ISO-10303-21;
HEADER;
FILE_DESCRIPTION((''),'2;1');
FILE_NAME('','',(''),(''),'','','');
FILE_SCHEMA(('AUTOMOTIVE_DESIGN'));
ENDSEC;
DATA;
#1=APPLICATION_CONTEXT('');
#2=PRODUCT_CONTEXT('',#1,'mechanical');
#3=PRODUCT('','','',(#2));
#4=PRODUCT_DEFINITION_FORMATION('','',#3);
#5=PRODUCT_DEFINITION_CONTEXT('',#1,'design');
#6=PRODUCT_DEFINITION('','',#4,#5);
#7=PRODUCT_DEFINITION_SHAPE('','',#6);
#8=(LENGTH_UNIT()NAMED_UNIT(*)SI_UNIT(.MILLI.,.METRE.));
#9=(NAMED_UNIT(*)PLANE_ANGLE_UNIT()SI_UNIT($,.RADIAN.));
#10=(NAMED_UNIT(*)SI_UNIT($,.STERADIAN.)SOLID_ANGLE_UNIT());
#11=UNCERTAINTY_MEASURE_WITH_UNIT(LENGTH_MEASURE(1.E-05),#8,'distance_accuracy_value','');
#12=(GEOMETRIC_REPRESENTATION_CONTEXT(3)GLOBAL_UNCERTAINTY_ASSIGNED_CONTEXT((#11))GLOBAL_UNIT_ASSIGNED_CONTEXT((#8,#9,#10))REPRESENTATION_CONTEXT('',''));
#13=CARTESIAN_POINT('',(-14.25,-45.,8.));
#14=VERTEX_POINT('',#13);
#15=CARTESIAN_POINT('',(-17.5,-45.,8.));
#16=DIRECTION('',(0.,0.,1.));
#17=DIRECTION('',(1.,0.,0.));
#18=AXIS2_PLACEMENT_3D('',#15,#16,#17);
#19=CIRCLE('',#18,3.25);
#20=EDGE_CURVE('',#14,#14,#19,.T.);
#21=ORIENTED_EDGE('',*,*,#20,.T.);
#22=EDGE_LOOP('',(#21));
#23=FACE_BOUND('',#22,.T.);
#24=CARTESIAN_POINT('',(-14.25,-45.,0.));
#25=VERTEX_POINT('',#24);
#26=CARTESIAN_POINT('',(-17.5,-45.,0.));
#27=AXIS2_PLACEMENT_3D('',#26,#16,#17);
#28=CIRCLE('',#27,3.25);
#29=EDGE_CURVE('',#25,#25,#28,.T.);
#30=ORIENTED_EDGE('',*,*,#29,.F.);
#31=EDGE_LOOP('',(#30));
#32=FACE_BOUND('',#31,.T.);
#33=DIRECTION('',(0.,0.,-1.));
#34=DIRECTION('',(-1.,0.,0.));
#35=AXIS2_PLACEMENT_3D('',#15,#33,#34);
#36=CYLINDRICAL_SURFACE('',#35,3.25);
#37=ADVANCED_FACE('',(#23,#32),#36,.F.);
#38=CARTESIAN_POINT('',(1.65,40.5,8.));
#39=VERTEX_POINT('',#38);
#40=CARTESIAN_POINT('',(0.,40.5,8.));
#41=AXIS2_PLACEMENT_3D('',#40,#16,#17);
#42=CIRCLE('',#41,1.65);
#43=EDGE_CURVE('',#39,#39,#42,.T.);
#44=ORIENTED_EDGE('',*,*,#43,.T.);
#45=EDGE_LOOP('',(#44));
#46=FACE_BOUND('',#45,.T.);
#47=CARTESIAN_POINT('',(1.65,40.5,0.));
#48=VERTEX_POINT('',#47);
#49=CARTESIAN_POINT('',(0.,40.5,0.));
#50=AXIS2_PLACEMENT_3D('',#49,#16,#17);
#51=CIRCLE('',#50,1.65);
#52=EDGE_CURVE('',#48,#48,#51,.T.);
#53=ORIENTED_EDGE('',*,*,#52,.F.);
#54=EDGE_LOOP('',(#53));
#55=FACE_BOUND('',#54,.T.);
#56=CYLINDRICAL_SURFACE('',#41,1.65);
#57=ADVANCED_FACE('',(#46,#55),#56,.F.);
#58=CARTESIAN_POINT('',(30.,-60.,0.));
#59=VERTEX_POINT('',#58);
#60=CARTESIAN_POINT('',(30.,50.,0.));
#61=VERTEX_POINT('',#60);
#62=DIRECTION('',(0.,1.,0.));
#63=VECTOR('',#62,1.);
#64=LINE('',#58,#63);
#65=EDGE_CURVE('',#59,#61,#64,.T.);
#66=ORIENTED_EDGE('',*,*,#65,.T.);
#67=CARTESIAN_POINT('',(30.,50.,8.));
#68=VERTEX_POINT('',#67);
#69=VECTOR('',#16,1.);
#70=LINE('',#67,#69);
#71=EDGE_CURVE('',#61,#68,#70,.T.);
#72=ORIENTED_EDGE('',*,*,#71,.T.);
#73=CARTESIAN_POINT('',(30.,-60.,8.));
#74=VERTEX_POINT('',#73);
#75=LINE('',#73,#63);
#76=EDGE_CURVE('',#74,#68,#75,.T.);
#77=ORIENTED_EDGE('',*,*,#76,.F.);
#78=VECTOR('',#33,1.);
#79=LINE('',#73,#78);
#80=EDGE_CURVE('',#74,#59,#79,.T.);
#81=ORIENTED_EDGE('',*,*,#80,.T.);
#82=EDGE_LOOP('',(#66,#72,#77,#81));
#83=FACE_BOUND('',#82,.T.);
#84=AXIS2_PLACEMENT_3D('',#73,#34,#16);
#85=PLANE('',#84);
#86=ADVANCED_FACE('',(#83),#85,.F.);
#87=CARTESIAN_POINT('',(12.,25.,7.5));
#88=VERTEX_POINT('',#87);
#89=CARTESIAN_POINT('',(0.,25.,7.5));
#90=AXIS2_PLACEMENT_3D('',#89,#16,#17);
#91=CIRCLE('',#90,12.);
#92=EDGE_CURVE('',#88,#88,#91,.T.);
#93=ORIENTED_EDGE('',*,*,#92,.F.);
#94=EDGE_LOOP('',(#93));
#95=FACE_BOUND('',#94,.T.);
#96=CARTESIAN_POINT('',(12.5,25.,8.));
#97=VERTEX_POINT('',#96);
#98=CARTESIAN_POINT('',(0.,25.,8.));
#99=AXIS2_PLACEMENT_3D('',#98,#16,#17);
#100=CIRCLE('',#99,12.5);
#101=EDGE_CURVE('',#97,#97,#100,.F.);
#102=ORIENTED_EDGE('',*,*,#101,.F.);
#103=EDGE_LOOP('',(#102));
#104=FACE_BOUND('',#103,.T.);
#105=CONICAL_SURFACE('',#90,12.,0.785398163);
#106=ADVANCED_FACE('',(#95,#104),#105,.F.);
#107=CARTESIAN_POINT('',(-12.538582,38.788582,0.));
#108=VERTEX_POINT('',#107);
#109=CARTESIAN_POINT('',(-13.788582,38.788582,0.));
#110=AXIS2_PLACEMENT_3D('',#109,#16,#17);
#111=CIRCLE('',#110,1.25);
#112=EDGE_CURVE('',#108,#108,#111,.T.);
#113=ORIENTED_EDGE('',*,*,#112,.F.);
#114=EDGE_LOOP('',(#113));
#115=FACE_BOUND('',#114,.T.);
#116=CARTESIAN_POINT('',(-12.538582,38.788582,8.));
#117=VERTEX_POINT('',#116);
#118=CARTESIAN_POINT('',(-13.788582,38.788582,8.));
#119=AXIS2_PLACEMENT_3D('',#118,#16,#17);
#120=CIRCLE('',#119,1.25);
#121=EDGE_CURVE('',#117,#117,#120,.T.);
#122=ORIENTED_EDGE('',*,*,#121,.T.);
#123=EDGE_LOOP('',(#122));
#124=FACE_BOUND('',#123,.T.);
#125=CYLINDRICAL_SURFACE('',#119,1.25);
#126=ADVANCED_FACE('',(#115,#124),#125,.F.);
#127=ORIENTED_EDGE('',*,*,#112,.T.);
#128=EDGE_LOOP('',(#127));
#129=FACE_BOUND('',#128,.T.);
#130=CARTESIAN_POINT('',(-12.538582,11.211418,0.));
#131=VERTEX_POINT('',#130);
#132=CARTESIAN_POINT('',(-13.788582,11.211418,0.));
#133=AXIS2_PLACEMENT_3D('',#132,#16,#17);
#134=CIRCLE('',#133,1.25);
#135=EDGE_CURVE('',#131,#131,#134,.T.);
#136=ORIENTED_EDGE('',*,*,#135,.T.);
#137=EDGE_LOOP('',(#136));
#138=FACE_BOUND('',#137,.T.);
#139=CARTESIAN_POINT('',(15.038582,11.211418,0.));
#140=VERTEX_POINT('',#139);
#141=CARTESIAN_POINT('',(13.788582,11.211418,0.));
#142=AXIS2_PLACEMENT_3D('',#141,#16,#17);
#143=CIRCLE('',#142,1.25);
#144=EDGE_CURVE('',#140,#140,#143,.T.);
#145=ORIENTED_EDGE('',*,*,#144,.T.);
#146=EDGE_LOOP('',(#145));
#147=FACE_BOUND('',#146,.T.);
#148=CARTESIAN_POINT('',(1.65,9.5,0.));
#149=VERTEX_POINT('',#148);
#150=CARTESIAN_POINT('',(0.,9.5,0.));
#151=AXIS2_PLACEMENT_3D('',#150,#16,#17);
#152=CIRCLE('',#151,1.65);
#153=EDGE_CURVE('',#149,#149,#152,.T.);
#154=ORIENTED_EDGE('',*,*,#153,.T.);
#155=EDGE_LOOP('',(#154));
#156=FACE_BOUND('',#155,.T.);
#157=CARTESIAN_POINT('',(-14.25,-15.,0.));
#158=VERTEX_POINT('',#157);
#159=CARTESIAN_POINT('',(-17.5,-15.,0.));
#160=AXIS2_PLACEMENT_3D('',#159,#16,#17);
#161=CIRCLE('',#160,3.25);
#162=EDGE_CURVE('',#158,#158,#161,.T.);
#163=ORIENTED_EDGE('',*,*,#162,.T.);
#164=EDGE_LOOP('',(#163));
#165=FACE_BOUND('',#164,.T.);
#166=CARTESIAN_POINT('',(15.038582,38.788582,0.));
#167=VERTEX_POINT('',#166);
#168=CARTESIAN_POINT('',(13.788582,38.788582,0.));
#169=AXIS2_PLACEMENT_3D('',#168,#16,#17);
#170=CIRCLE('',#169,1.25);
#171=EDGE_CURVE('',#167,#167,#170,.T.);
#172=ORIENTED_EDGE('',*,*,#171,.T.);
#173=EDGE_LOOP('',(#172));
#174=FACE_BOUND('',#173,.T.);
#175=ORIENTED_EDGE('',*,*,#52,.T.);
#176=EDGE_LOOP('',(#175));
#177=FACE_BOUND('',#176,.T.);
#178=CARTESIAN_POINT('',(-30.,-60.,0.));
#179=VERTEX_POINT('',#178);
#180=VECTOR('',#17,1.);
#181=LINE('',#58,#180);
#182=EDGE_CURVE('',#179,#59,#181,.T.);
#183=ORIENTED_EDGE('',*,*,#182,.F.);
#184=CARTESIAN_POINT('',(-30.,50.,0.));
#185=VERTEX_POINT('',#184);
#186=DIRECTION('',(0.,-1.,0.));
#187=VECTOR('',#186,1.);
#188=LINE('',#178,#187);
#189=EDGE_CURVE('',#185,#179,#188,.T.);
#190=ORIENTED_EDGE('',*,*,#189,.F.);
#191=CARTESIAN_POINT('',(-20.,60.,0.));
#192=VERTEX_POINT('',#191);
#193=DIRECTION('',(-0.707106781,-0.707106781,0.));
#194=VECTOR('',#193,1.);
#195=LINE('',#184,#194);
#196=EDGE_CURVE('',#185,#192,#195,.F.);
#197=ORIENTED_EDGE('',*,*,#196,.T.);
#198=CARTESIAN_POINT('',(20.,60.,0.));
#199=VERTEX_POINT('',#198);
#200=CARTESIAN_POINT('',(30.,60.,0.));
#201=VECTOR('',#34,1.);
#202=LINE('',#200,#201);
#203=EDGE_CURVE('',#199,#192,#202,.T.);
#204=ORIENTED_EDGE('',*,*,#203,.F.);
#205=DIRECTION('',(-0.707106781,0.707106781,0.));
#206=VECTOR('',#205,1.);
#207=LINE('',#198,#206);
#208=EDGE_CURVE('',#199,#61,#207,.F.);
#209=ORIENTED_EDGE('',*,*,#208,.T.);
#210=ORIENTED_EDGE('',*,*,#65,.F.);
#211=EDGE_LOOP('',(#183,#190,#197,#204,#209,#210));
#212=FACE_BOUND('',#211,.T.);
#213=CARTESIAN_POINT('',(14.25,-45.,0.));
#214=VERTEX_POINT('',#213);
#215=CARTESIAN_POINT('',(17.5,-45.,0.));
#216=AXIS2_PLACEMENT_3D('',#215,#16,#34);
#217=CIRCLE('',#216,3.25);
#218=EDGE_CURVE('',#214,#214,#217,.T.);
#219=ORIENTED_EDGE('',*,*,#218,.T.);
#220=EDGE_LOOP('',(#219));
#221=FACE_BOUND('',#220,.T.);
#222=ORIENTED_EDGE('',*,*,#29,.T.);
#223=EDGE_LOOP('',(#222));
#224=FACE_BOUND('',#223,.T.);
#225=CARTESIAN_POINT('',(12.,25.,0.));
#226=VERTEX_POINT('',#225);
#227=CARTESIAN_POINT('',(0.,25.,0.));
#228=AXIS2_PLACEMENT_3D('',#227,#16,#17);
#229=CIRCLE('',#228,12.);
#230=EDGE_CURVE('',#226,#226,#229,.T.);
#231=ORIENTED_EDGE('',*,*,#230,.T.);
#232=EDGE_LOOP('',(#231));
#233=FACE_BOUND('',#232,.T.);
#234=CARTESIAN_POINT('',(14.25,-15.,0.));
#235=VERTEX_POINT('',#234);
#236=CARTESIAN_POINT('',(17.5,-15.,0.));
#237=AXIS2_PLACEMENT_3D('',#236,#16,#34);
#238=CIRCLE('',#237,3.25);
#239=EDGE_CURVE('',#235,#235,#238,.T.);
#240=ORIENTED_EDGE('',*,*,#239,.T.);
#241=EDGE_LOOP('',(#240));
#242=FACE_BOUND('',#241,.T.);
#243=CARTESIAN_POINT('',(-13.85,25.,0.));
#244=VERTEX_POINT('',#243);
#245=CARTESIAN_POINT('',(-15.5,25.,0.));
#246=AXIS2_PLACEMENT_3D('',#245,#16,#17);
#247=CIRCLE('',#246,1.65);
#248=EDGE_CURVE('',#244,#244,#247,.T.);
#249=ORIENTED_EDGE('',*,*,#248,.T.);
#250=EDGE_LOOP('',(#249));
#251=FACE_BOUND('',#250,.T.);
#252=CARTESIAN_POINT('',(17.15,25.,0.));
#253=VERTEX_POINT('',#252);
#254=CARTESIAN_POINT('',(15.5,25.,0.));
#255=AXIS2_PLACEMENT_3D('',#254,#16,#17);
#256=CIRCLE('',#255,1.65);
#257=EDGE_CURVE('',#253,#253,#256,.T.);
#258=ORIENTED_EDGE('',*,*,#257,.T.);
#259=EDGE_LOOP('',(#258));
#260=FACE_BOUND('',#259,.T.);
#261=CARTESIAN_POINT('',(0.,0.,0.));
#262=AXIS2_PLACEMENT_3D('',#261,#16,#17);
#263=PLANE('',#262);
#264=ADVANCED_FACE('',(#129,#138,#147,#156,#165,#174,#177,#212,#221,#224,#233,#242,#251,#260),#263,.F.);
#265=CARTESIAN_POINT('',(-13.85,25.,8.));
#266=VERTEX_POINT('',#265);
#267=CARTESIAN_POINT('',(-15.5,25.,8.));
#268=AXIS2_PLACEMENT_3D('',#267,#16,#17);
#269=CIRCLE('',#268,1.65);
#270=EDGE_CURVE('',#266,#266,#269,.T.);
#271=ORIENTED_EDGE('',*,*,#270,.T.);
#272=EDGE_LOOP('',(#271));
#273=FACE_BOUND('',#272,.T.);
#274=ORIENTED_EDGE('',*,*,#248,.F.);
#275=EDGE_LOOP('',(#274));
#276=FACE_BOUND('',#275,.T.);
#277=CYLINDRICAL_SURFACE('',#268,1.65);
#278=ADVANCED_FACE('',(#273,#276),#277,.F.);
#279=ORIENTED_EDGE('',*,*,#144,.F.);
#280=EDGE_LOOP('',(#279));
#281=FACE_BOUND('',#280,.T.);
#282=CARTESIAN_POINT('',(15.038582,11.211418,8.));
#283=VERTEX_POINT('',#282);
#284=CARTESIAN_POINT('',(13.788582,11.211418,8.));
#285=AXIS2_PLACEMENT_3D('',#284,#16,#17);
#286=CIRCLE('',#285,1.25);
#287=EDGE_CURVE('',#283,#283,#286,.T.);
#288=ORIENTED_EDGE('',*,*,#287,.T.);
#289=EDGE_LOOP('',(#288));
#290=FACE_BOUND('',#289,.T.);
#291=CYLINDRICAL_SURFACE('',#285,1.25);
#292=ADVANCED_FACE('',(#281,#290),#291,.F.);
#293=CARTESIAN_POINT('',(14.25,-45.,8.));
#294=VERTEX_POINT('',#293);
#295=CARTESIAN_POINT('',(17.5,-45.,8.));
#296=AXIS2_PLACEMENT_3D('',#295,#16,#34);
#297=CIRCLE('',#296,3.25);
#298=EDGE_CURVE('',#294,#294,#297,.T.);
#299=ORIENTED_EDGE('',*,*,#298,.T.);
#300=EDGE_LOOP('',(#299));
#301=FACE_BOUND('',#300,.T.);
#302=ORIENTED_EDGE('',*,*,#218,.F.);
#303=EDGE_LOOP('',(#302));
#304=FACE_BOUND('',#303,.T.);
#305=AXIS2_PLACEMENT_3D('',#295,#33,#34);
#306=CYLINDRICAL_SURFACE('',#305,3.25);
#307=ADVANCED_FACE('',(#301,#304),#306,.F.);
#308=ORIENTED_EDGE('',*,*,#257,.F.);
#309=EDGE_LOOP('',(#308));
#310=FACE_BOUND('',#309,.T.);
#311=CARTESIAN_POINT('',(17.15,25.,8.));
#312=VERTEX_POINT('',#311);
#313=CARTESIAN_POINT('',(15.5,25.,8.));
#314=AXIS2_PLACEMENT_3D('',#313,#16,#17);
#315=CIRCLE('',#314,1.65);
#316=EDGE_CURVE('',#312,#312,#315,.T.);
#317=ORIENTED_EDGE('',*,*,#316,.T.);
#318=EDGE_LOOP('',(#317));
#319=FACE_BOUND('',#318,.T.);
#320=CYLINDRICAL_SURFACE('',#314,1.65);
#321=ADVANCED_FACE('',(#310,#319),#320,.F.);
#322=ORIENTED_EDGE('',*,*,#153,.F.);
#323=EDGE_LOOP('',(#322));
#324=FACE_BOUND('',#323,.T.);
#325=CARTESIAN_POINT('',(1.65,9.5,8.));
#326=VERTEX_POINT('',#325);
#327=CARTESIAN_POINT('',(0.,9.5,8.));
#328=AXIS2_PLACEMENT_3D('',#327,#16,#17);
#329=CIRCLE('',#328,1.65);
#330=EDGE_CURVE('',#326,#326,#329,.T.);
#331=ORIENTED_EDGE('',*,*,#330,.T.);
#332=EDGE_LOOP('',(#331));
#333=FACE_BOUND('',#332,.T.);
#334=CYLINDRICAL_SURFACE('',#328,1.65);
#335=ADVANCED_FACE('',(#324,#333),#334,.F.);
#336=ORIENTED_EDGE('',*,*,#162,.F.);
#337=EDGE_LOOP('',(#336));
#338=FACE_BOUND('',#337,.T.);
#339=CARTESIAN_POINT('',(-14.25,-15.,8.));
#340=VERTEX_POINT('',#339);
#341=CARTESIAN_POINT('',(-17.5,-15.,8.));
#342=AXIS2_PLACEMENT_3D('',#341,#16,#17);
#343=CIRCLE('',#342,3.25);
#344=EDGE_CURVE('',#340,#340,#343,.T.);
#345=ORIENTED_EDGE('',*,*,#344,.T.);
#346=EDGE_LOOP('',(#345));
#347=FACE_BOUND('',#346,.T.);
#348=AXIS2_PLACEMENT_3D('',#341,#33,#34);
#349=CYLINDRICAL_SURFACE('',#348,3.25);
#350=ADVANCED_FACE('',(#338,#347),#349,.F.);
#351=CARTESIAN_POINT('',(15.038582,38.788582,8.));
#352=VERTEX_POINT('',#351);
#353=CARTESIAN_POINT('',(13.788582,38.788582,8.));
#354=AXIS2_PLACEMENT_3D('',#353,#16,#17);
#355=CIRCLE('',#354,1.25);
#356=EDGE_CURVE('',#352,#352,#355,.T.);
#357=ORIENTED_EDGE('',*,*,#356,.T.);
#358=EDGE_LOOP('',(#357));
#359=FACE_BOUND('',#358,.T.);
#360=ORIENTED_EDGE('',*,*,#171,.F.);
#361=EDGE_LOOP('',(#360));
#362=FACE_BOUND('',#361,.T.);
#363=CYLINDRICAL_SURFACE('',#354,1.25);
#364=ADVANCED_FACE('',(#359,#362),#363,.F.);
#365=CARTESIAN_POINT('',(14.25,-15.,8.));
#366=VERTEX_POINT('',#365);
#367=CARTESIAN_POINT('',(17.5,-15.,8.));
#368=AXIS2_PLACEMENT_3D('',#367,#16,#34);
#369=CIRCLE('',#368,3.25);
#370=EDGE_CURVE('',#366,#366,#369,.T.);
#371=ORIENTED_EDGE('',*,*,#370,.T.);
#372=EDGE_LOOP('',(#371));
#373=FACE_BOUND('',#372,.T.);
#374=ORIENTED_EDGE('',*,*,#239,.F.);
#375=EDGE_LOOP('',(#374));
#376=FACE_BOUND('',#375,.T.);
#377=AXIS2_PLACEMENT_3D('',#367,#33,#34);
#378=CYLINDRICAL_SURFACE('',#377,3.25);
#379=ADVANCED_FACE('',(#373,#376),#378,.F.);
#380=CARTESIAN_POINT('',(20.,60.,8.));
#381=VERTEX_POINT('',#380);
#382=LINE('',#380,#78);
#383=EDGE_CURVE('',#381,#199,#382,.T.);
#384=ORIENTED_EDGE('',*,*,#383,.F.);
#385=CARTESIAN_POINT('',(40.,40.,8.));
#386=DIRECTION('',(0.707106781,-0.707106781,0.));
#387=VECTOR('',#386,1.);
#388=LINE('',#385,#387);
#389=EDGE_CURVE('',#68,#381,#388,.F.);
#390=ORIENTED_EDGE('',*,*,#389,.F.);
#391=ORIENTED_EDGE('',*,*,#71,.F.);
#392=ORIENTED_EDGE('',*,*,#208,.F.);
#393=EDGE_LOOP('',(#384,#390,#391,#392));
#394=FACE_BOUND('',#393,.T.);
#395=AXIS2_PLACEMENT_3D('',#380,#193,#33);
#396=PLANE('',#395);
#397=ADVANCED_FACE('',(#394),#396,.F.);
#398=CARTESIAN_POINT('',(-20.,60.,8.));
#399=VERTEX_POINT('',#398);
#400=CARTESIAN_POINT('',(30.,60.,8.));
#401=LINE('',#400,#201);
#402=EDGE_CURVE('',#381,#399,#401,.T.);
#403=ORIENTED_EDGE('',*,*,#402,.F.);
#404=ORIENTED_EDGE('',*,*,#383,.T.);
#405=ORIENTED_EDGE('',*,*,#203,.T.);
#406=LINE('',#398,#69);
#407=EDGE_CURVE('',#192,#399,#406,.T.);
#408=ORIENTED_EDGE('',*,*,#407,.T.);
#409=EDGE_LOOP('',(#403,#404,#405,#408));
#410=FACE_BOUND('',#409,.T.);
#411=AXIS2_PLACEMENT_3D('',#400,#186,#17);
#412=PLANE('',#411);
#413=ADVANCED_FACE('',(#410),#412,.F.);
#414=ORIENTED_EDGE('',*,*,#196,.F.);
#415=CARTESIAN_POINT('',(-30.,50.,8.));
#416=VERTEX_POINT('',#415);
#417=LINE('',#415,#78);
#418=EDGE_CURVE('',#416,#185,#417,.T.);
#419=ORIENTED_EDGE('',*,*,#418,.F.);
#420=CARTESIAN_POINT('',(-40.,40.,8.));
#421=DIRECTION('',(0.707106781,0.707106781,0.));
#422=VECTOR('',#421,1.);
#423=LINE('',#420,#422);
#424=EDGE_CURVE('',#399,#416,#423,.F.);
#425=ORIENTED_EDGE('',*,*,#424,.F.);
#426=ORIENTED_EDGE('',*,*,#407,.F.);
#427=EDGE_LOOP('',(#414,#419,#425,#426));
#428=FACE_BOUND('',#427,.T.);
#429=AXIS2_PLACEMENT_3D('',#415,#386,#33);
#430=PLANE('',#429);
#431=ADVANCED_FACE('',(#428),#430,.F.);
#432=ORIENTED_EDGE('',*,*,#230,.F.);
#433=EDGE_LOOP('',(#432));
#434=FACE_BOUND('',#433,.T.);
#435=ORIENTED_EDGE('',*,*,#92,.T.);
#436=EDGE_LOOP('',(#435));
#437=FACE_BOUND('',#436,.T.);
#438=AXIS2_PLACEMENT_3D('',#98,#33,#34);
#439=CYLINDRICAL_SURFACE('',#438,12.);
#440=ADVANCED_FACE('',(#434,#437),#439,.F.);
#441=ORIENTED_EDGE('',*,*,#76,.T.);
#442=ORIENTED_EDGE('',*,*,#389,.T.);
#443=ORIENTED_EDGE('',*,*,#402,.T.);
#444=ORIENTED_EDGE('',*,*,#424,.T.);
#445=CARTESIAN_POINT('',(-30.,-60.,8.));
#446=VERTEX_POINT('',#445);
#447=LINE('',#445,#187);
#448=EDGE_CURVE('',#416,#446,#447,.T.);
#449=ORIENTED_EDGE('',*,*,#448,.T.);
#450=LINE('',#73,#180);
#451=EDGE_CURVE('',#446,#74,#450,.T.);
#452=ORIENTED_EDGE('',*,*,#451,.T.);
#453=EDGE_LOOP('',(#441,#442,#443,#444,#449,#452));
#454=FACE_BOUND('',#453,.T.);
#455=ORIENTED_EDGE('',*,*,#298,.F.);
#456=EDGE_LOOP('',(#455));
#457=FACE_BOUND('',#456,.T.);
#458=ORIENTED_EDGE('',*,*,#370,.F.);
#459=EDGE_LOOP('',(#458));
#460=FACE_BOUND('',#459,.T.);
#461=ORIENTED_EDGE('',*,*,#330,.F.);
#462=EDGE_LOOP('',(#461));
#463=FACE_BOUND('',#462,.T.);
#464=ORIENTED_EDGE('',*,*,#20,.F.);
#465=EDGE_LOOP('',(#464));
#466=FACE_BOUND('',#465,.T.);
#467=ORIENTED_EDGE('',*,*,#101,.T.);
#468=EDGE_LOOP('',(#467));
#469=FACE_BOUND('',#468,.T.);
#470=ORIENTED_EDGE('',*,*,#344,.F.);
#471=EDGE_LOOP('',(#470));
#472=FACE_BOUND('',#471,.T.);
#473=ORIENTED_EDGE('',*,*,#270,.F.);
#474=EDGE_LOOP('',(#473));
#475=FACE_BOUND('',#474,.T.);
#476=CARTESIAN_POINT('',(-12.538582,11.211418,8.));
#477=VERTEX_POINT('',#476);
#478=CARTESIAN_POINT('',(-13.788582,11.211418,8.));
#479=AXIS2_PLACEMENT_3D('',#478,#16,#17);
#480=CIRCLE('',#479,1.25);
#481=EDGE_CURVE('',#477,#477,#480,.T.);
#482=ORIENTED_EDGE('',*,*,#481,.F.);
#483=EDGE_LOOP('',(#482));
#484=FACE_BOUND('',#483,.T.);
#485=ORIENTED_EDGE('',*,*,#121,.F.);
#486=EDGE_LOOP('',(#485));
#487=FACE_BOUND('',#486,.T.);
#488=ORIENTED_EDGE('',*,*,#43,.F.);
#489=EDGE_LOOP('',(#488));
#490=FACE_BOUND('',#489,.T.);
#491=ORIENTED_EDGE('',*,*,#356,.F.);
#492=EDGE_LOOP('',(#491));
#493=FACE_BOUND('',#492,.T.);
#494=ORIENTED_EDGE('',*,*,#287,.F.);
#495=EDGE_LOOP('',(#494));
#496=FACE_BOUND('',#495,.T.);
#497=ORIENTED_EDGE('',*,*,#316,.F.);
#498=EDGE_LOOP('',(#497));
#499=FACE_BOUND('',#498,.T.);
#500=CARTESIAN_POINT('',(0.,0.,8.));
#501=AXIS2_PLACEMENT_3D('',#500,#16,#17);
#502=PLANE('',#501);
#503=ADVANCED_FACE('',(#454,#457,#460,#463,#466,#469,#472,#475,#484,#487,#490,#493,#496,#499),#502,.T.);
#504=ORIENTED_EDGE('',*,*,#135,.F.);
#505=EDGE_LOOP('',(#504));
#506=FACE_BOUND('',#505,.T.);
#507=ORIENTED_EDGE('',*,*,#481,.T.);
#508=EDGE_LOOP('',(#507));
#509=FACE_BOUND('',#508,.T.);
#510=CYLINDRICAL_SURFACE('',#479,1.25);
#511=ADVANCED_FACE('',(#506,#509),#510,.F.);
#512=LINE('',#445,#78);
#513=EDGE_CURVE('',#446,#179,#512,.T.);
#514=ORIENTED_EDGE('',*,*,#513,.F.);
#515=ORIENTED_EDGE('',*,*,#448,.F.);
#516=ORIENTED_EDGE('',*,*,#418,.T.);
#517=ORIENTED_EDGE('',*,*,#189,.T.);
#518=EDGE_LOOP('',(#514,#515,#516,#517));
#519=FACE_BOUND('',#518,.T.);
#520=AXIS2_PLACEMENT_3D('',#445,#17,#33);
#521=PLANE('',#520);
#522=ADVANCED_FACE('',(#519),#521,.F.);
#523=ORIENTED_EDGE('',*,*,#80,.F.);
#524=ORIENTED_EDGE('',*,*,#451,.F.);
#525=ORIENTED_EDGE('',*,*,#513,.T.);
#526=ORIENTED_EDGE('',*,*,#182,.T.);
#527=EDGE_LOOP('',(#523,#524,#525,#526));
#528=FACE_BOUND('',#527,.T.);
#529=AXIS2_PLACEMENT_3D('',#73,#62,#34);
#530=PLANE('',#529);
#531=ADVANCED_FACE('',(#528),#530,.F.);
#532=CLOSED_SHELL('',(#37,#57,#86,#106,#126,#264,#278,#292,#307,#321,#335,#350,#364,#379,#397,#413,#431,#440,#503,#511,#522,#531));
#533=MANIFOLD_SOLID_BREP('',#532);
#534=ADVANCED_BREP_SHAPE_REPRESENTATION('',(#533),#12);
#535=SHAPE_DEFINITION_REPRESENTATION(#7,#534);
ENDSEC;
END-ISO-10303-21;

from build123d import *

# Parameters (mm, degrees)
SKETCH1_W           = 60
SKETCH1_H           = 120
SKETCH1_R           = 3.25
SKETCH1_R_2         = 12
BOSS_EXTRUDE1_DEPTH = 8
M3_TAPPED_HOLE1_D   = 2.5
M4_TAPPED_HOLE1_D   = 3.3
CHAMFER1_SIZE       = 0.5
CHAMFER2_SIZE       = 10


with BuildPart() as part:
    # Sketch1 → Boss-Extrude1 (new body)
    with BuildSketch(Plane.XY):
        Rectangle(SKETCH1_W, SKETCH1_H)
        with Locations((-17.5, -15)):
            Circle(SKETCH1_R, mode=Mode.SUBTRACT)
        with Locations((-17.5, -45)):
            Circle(SKETCH1_R, mode=Mode.SUBTRACT)
        with Locations((17.5, -45)):
            Circle(SKETCH1_R, mode=Mode.SUBTRACT)
        with Locations((17.5, -15)):
            Circle(SKETCH1_R, mode=Mode.SUBTRACT)
        with Locations((0, 25)):
            Circle(SKETCH1_R_2, mode=Mode.SUBTRACT)
    extrude(amount=BOSS_EXTRUDE1_DEPTH)

    # M3 Tapped Hole1 (through all)
    with Locations(Plane.XY.offset(8)):
        with Locations((-13.788582233, 38.788582233), (-13.788582233, 11.211417767), (13.788582233, 11.211417767), (13.788582233, 38.788582233)):
            Hole(M3_TAPPED_HOLE1_D / 2)

    # M4 Tapped Hole1 (through all)
    with Locations(Plane.XY.offset(8)):
        with Locations((-15.5, 25), (0, 40.5), (15.5, 25), (0, 9.5)):
            Hole(M4_TAPPED_HOLE1_D / 2)

    # Chamfer1
    chamfer1_edges = [part.edges().sort_by_distance(p)[0] for p in [
        (-12, 25, 8),
    ]]
    chamfer(chamfer1_edges, length=CHAMFER1_SIZE)

    # Chamfer2
    chamfer2_edges = [part.edges().sort_by_distance(p)[0] for p in [
        (-30, 60, 4),
        (30, 60, 4),
    ]]
    chamfer(chamfer2_edges, length=CHAMFER2_SIZE)


solid = part.part
